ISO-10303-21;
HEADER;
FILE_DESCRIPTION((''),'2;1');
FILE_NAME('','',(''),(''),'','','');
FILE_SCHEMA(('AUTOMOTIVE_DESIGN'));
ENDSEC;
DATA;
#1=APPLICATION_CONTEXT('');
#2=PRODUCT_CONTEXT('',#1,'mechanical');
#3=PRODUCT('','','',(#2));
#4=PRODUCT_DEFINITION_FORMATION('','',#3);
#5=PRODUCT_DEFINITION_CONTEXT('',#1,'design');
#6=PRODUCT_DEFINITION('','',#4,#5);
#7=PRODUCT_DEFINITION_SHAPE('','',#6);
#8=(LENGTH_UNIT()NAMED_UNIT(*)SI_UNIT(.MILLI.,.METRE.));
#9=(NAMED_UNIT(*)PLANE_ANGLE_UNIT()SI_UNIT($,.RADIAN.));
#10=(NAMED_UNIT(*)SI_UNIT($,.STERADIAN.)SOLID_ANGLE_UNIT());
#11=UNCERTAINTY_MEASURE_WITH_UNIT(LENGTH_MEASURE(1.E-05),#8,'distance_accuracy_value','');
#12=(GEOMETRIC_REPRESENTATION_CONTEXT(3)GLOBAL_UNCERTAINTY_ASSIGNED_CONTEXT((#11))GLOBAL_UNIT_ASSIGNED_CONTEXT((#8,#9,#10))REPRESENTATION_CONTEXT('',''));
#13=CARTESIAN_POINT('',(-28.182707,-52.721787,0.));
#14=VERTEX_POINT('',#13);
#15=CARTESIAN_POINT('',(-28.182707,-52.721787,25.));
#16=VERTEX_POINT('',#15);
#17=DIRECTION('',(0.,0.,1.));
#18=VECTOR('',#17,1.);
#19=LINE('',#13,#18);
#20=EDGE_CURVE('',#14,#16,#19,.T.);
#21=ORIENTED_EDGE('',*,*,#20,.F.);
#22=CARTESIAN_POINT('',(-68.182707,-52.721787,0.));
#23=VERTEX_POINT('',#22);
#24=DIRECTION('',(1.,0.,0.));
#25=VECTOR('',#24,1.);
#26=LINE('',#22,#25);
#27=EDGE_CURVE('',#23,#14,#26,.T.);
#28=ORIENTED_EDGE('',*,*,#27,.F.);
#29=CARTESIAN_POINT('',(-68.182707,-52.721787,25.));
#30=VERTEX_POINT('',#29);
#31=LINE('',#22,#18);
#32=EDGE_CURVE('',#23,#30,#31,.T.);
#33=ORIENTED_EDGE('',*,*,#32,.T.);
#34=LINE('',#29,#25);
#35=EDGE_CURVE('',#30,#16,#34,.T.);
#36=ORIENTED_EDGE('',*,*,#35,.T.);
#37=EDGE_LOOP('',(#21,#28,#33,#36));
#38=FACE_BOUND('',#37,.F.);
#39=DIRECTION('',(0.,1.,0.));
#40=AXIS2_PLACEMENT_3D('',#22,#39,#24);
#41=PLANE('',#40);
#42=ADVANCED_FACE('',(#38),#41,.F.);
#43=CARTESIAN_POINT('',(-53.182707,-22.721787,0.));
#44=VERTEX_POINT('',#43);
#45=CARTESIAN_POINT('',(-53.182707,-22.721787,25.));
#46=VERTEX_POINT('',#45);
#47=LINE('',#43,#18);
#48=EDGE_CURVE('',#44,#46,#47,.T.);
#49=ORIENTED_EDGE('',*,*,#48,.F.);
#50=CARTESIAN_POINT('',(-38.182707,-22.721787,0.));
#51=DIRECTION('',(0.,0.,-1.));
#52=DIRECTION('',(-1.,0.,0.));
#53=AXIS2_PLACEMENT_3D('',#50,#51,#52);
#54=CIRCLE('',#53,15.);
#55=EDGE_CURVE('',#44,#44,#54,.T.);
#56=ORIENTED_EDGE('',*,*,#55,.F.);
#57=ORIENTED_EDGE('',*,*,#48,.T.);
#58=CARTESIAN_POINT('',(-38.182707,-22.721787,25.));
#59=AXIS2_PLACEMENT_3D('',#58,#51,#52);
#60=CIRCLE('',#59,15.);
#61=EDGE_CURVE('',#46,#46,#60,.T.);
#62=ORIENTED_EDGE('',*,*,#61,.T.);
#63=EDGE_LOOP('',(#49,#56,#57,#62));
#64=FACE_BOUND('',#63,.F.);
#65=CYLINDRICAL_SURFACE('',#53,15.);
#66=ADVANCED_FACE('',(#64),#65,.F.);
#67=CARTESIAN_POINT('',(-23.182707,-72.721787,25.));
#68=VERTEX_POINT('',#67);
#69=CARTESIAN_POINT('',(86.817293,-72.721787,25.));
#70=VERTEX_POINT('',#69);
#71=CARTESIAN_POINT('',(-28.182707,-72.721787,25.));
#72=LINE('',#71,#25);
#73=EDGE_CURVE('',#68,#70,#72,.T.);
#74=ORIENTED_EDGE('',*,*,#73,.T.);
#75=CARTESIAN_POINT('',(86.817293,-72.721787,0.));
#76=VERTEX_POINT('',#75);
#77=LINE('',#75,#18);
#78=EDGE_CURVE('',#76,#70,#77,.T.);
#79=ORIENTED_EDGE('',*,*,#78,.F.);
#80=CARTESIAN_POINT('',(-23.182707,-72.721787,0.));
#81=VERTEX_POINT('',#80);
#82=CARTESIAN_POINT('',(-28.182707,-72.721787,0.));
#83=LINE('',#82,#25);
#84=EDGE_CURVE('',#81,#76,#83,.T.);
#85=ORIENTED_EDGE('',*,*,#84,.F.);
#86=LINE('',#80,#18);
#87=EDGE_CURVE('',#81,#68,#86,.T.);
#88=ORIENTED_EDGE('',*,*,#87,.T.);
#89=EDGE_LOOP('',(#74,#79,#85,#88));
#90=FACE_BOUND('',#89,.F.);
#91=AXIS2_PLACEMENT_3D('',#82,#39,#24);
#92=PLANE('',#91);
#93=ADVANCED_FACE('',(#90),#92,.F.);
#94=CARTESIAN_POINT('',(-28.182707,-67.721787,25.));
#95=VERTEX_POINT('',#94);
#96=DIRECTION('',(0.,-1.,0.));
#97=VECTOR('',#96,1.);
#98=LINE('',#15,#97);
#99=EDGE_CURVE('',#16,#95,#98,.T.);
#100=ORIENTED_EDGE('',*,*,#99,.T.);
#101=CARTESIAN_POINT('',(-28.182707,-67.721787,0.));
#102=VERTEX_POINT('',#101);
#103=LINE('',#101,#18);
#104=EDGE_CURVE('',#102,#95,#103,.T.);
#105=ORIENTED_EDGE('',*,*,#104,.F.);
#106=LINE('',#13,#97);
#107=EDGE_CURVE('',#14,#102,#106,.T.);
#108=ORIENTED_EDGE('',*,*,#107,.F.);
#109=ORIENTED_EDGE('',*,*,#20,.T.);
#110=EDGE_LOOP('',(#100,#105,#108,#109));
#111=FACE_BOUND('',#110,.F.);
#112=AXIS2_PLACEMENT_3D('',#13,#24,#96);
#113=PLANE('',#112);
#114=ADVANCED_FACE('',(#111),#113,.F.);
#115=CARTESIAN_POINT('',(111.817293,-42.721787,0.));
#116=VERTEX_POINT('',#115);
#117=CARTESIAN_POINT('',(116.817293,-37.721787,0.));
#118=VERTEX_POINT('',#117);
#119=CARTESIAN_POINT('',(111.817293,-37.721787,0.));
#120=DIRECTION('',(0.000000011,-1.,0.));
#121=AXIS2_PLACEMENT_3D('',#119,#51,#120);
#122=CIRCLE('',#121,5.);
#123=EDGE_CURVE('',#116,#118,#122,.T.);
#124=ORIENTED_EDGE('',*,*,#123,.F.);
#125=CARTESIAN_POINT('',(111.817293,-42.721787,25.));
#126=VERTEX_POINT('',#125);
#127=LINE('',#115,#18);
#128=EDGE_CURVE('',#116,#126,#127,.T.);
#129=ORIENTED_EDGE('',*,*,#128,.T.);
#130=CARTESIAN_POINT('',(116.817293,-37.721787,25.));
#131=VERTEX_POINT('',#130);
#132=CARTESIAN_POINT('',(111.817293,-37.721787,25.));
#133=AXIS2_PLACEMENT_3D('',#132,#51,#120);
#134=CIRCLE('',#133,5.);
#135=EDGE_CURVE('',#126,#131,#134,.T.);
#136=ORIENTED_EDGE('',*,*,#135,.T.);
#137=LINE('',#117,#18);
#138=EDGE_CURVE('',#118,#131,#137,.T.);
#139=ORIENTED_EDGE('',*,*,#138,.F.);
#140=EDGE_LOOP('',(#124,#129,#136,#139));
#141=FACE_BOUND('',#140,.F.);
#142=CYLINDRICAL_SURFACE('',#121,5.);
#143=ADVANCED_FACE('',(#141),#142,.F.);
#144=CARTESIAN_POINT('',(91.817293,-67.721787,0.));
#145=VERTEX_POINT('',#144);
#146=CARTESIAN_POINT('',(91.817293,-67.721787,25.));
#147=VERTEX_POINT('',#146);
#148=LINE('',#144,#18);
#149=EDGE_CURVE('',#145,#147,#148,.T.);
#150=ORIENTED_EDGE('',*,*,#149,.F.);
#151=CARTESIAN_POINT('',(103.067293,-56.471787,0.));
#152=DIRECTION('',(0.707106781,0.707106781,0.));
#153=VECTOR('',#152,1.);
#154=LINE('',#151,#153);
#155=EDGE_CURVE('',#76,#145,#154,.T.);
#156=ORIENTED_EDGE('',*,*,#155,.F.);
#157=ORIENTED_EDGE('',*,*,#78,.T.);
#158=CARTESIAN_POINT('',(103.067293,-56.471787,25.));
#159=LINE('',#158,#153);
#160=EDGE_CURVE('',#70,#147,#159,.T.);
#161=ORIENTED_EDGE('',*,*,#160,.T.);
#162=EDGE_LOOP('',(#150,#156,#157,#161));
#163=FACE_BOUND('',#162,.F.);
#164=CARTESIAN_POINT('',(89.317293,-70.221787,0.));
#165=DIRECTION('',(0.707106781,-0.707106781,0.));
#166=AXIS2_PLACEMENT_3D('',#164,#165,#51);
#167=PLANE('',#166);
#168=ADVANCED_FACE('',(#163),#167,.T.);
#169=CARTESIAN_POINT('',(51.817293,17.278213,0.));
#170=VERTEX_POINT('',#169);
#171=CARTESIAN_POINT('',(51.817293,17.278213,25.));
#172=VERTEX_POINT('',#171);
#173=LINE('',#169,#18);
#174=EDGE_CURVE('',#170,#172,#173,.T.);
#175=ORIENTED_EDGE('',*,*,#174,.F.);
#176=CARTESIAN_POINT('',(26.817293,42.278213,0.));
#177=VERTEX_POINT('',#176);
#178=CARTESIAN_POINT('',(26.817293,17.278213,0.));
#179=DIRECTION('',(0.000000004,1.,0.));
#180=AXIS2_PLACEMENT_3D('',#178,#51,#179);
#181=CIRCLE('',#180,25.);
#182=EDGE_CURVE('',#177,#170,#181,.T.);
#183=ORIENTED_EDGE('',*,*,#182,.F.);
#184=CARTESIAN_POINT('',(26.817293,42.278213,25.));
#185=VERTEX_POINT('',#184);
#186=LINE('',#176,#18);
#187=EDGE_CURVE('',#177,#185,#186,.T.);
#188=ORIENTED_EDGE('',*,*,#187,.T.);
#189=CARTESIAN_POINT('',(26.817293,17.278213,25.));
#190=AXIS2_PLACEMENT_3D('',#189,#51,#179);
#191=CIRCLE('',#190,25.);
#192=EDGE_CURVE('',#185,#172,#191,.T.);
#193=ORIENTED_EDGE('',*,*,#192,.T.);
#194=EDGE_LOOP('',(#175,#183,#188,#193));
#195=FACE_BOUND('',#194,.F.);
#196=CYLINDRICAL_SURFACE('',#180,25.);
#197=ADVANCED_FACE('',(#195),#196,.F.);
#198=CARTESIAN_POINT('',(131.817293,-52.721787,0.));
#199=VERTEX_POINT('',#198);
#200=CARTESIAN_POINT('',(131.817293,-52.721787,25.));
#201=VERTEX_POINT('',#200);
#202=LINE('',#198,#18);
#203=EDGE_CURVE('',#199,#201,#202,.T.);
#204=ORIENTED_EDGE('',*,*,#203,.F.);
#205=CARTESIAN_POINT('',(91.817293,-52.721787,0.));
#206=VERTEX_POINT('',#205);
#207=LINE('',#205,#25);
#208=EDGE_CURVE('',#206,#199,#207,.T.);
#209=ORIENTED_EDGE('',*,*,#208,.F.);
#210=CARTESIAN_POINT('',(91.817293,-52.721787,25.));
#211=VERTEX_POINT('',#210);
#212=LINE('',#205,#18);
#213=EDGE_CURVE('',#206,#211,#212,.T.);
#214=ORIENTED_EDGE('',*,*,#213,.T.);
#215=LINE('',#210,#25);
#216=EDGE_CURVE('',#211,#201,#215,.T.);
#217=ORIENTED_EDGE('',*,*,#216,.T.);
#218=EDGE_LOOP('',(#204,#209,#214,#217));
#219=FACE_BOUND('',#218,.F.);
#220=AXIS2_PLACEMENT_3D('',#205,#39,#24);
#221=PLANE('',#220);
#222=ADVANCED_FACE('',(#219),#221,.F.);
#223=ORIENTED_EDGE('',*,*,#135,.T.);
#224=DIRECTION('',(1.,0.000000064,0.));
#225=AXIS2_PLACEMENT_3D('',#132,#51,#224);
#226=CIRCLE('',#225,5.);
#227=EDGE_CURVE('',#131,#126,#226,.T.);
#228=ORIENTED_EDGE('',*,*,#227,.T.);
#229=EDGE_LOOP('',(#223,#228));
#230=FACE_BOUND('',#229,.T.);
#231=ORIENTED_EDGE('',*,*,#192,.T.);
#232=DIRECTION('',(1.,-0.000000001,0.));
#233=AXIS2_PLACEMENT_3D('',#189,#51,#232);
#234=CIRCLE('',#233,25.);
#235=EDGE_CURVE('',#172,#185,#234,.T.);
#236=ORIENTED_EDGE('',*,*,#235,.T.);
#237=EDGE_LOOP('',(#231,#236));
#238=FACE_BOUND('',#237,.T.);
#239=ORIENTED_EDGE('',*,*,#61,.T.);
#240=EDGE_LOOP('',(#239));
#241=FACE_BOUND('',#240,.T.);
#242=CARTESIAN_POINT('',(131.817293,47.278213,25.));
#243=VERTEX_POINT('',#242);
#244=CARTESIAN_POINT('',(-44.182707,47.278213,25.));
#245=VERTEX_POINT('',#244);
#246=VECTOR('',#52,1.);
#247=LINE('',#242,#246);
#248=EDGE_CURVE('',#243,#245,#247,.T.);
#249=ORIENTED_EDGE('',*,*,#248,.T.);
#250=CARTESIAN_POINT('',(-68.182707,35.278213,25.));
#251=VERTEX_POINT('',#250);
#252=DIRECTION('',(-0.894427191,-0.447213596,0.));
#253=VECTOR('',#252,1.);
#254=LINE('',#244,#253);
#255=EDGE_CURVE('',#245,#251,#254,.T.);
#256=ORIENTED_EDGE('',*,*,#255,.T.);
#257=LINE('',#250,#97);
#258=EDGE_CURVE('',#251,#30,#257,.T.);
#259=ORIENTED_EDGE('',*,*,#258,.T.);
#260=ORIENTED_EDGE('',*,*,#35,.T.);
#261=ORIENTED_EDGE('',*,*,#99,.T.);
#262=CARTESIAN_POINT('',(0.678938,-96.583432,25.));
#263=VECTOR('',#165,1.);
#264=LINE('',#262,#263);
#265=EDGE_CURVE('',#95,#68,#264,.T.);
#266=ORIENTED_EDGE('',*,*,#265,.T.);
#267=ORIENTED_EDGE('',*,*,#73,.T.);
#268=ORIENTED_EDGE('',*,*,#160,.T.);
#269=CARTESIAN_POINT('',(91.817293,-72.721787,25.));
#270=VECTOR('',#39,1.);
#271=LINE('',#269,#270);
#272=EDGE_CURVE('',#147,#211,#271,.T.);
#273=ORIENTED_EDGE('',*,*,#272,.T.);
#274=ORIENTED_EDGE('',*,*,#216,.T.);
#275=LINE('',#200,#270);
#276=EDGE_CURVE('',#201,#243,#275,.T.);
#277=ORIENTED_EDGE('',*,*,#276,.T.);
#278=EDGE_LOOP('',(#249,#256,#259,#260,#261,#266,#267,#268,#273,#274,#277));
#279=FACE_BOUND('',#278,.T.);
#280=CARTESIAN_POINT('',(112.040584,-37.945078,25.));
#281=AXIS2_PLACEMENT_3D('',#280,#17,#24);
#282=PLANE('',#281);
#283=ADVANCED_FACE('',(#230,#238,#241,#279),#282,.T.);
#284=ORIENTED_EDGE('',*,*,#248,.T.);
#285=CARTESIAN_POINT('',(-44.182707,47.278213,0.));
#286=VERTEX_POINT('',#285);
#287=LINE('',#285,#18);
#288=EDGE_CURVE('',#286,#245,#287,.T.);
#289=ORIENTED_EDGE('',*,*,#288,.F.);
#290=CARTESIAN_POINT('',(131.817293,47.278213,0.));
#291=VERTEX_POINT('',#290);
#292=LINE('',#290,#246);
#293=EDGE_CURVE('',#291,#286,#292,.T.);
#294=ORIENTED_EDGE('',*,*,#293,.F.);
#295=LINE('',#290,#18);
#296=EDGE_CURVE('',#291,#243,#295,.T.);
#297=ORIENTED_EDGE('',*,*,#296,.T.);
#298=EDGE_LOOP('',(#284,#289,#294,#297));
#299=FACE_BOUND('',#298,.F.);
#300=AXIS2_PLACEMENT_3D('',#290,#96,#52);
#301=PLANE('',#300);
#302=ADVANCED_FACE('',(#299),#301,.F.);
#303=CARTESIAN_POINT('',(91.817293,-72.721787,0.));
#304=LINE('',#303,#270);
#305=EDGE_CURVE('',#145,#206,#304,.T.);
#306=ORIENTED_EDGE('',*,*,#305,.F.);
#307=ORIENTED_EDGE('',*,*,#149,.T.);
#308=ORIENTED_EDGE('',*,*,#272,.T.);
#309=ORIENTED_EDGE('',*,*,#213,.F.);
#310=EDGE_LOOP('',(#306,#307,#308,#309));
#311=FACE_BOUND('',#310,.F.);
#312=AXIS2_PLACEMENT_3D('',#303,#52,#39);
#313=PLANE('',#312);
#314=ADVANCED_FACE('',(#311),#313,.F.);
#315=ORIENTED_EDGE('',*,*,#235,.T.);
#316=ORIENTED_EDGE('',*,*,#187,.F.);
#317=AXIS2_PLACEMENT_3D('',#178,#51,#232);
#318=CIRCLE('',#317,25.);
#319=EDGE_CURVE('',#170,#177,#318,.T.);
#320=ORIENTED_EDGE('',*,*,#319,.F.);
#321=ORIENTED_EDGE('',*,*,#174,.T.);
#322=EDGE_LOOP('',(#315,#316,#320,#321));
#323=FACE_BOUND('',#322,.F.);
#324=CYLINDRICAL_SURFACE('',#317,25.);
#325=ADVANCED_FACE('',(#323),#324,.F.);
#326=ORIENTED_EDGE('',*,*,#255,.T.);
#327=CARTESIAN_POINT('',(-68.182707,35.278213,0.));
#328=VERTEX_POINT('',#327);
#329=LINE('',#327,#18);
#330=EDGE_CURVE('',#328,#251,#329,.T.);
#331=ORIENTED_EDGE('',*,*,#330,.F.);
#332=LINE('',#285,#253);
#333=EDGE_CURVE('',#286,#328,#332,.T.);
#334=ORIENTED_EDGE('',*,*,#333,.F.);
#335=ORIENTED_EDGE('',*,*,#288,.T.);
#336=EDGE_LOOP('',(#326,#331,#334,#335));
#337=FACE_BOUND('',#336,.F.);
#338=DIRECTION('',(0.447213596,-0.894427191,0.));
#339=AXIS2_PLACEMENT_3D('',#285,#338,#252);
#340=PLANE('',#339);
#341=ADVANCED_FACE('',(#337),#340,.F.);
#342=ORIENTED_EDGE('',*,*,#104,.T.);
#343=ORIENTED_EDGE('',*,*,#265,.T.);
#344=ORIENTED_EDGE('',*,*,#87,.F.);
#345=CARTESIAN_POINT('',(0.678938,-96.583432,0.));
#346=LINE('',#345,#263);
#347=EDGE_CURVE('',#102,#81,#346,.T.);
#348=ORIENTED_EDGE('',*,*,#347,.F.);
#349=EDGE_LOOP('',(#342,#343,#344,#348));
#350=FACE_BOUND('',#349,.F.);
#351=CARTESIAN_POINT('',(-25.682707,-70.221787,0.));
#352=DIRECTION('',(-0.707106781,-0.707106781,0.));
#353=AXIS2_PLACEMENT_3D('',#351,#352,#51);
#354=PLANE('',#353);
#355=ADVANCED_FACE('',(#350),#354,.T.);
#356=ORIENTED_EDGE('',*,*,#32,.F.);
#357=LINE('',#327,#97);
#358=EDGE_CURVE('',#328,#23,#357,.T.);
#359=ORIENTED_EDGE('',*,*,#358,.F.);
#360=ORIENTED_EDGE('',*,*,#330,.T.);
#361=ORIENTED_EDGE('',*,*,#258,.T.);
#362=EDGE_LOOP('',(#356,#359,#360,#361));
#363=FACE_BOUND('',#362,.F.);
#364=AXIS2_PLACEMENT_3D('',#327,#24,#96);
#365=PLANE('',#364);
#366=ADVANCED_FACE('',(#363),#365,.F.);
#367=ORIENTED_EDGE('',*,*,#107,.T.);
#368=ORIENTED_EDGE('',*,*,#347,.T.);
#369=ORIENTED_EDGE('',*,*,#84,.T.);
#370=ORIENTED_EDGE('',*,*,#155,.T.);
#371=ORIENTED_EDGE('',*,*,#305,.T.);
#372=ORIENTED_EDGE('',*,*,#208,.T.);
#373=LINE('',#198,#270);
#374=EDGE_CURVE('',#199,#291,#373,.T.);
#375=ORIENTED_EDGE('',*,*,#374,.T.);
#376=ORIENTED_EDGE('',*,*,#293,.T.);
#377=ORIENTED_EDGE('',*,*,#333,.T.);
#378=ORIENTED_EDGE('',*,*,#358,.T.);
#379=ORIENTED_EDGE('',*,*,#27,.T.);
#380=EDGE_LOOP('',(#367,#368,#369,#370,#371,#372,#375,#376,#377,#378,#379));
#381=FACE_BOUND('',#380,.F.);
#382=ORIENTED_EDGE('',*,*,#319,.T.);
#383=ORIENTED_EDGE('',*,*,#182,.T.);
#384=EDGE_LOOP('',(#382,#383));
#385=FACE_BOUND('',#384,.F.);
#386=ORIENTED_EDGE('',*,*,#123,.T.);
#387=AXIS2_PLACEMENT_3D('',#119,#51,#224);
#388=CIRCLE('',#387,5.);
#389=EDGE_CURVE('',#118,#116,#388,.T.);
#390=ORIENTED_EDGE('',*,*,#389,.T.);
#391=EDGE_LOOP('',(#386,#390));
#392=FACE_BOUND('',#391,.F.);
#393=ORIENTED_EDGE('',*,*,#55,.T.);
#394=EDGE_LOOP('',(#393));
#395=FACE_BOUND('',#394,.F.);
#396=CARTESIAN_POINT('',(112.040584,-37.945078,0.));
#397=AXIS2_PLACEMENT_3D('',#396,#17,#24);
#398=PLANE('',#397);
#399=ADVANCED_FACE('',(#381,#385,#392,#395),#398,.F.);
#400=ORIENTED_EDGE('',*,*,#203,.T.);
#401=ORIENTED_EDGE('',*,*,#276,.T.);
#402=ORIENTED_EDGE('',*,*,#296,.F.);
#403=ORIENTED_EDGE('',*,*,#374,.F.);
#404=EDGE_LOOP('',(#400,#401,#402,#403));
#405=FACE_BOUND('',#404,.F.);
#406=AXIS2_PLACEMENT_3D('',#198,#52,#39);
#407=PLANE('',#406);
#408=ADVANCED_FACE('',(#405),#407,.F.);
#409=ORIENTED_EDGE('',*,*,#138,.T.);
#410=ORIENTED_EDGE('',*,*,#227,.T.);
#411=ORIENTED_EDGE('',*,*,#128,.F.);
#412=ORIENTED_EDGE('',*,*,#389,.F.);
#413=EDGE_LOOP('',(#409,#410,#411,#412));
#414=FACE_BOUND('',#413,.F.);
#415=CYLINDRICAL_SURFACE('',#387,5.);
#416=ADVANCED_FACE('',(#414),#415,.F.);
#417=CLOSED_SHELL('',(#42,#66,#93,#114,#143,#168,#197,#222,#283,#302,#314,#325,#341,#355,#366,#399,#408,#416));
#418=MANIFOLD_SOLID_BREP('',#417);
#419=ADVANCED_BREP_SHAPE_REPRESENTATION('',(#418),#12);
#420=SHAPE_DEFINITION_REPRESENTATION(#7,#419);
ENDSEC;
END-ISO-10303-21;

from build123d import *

# Parameters (mm, degrees)
F1_DEPTH = 25
F2_SIZE2 = 5
F2_SIZE  = 5


with BuildPart() as f1:
    # F0 (on Top) → F1 (new body)
    with BuildSketch(Plane.XY):
        with BuildLine():
            ThreePointArc((116.817293, -37.721787), (108.281759, -34.186253), (111.817293, -42.721787))
            ThreePointArc((111.817293, -42.721787), (115.352827, -41.257321), (116.817293, -37.721787))
        make_face()
        with BuildLine():
            ThreePointArc((51.817293, 17.278213), (44.494963, 34.955882), (26.817293, 42.278213))
            ThreePointArc((26.817293, 42.278213), (9.139624, -0.399457), (51.817293, 17.278213))
        make_face()
        with BuildLine():
            ThreePointArc((-23.182707, -22.721787), (-38.182707, -7.721787), (-53.182707, -22.721787))
            ThreePointArc((-53.182707, -22.721787), (-38.182707, -37.721787), (-23.182707, -22.721787))
        make_face()
        Polygon((-68.182707, -22.721787), (-68.182707, -52.721787), (-28.182707, -52.721787), (-28.182707, -72.721787), (91.817293, -72.721787), (91.817293, -52.721787), (111.817293, -52.721787), (131.817293, -52.721787), (131.817293, 47.278213), (26.817293, 47.278213), (-44.182707, 47.278213), (-68.182707, 35.278213), align=None)
        with BuildLine():
            ThreePointArc((-23.182707, -22.721787), (-38.182707, -37.721787), (-53.182707, -22.721787))
            ThreePointArc((-53.182707, -22.721787), (-38.182707, -7.721787), (-23.182707, -22.721787))
        make_face(mode=Mode.SUBTRACT)
        with BuildLine():
            ThreePointArc((116.817293, -37.721787), (115.352827, -41.257321), (111.817293, -42.721787))
            ThreePointArc((111.817293, -42.721787), (108.281759, -34.186253), (116.817293, -37.721787))
        make_face(mode=Mode.SUBTRACT)
        with BuildLine():
            ThreePointArc((51.817293, 17.278213), (9.139624, -0.399457), (26.817293, 42.278213))
            ThreePointArc((26.817293, 42.278213), (44.494963, 34.955882), (51.817293, 17.278213))
        make_face(mode=Mode.SUBTRACT)
    extrude(amount=F1_DEPTH)

    # F2
    f2_edges = [f1.edges().sort_by_distance(p)[0] for p in [
        (-28.182707, -72.721787, 12.5),
        (91.817293, -72.721787, 12.5),
    ]]
    chamfer(f2_edges, length=F2_SIZE, length2=F2_SIZE2)


solid = f1.part
